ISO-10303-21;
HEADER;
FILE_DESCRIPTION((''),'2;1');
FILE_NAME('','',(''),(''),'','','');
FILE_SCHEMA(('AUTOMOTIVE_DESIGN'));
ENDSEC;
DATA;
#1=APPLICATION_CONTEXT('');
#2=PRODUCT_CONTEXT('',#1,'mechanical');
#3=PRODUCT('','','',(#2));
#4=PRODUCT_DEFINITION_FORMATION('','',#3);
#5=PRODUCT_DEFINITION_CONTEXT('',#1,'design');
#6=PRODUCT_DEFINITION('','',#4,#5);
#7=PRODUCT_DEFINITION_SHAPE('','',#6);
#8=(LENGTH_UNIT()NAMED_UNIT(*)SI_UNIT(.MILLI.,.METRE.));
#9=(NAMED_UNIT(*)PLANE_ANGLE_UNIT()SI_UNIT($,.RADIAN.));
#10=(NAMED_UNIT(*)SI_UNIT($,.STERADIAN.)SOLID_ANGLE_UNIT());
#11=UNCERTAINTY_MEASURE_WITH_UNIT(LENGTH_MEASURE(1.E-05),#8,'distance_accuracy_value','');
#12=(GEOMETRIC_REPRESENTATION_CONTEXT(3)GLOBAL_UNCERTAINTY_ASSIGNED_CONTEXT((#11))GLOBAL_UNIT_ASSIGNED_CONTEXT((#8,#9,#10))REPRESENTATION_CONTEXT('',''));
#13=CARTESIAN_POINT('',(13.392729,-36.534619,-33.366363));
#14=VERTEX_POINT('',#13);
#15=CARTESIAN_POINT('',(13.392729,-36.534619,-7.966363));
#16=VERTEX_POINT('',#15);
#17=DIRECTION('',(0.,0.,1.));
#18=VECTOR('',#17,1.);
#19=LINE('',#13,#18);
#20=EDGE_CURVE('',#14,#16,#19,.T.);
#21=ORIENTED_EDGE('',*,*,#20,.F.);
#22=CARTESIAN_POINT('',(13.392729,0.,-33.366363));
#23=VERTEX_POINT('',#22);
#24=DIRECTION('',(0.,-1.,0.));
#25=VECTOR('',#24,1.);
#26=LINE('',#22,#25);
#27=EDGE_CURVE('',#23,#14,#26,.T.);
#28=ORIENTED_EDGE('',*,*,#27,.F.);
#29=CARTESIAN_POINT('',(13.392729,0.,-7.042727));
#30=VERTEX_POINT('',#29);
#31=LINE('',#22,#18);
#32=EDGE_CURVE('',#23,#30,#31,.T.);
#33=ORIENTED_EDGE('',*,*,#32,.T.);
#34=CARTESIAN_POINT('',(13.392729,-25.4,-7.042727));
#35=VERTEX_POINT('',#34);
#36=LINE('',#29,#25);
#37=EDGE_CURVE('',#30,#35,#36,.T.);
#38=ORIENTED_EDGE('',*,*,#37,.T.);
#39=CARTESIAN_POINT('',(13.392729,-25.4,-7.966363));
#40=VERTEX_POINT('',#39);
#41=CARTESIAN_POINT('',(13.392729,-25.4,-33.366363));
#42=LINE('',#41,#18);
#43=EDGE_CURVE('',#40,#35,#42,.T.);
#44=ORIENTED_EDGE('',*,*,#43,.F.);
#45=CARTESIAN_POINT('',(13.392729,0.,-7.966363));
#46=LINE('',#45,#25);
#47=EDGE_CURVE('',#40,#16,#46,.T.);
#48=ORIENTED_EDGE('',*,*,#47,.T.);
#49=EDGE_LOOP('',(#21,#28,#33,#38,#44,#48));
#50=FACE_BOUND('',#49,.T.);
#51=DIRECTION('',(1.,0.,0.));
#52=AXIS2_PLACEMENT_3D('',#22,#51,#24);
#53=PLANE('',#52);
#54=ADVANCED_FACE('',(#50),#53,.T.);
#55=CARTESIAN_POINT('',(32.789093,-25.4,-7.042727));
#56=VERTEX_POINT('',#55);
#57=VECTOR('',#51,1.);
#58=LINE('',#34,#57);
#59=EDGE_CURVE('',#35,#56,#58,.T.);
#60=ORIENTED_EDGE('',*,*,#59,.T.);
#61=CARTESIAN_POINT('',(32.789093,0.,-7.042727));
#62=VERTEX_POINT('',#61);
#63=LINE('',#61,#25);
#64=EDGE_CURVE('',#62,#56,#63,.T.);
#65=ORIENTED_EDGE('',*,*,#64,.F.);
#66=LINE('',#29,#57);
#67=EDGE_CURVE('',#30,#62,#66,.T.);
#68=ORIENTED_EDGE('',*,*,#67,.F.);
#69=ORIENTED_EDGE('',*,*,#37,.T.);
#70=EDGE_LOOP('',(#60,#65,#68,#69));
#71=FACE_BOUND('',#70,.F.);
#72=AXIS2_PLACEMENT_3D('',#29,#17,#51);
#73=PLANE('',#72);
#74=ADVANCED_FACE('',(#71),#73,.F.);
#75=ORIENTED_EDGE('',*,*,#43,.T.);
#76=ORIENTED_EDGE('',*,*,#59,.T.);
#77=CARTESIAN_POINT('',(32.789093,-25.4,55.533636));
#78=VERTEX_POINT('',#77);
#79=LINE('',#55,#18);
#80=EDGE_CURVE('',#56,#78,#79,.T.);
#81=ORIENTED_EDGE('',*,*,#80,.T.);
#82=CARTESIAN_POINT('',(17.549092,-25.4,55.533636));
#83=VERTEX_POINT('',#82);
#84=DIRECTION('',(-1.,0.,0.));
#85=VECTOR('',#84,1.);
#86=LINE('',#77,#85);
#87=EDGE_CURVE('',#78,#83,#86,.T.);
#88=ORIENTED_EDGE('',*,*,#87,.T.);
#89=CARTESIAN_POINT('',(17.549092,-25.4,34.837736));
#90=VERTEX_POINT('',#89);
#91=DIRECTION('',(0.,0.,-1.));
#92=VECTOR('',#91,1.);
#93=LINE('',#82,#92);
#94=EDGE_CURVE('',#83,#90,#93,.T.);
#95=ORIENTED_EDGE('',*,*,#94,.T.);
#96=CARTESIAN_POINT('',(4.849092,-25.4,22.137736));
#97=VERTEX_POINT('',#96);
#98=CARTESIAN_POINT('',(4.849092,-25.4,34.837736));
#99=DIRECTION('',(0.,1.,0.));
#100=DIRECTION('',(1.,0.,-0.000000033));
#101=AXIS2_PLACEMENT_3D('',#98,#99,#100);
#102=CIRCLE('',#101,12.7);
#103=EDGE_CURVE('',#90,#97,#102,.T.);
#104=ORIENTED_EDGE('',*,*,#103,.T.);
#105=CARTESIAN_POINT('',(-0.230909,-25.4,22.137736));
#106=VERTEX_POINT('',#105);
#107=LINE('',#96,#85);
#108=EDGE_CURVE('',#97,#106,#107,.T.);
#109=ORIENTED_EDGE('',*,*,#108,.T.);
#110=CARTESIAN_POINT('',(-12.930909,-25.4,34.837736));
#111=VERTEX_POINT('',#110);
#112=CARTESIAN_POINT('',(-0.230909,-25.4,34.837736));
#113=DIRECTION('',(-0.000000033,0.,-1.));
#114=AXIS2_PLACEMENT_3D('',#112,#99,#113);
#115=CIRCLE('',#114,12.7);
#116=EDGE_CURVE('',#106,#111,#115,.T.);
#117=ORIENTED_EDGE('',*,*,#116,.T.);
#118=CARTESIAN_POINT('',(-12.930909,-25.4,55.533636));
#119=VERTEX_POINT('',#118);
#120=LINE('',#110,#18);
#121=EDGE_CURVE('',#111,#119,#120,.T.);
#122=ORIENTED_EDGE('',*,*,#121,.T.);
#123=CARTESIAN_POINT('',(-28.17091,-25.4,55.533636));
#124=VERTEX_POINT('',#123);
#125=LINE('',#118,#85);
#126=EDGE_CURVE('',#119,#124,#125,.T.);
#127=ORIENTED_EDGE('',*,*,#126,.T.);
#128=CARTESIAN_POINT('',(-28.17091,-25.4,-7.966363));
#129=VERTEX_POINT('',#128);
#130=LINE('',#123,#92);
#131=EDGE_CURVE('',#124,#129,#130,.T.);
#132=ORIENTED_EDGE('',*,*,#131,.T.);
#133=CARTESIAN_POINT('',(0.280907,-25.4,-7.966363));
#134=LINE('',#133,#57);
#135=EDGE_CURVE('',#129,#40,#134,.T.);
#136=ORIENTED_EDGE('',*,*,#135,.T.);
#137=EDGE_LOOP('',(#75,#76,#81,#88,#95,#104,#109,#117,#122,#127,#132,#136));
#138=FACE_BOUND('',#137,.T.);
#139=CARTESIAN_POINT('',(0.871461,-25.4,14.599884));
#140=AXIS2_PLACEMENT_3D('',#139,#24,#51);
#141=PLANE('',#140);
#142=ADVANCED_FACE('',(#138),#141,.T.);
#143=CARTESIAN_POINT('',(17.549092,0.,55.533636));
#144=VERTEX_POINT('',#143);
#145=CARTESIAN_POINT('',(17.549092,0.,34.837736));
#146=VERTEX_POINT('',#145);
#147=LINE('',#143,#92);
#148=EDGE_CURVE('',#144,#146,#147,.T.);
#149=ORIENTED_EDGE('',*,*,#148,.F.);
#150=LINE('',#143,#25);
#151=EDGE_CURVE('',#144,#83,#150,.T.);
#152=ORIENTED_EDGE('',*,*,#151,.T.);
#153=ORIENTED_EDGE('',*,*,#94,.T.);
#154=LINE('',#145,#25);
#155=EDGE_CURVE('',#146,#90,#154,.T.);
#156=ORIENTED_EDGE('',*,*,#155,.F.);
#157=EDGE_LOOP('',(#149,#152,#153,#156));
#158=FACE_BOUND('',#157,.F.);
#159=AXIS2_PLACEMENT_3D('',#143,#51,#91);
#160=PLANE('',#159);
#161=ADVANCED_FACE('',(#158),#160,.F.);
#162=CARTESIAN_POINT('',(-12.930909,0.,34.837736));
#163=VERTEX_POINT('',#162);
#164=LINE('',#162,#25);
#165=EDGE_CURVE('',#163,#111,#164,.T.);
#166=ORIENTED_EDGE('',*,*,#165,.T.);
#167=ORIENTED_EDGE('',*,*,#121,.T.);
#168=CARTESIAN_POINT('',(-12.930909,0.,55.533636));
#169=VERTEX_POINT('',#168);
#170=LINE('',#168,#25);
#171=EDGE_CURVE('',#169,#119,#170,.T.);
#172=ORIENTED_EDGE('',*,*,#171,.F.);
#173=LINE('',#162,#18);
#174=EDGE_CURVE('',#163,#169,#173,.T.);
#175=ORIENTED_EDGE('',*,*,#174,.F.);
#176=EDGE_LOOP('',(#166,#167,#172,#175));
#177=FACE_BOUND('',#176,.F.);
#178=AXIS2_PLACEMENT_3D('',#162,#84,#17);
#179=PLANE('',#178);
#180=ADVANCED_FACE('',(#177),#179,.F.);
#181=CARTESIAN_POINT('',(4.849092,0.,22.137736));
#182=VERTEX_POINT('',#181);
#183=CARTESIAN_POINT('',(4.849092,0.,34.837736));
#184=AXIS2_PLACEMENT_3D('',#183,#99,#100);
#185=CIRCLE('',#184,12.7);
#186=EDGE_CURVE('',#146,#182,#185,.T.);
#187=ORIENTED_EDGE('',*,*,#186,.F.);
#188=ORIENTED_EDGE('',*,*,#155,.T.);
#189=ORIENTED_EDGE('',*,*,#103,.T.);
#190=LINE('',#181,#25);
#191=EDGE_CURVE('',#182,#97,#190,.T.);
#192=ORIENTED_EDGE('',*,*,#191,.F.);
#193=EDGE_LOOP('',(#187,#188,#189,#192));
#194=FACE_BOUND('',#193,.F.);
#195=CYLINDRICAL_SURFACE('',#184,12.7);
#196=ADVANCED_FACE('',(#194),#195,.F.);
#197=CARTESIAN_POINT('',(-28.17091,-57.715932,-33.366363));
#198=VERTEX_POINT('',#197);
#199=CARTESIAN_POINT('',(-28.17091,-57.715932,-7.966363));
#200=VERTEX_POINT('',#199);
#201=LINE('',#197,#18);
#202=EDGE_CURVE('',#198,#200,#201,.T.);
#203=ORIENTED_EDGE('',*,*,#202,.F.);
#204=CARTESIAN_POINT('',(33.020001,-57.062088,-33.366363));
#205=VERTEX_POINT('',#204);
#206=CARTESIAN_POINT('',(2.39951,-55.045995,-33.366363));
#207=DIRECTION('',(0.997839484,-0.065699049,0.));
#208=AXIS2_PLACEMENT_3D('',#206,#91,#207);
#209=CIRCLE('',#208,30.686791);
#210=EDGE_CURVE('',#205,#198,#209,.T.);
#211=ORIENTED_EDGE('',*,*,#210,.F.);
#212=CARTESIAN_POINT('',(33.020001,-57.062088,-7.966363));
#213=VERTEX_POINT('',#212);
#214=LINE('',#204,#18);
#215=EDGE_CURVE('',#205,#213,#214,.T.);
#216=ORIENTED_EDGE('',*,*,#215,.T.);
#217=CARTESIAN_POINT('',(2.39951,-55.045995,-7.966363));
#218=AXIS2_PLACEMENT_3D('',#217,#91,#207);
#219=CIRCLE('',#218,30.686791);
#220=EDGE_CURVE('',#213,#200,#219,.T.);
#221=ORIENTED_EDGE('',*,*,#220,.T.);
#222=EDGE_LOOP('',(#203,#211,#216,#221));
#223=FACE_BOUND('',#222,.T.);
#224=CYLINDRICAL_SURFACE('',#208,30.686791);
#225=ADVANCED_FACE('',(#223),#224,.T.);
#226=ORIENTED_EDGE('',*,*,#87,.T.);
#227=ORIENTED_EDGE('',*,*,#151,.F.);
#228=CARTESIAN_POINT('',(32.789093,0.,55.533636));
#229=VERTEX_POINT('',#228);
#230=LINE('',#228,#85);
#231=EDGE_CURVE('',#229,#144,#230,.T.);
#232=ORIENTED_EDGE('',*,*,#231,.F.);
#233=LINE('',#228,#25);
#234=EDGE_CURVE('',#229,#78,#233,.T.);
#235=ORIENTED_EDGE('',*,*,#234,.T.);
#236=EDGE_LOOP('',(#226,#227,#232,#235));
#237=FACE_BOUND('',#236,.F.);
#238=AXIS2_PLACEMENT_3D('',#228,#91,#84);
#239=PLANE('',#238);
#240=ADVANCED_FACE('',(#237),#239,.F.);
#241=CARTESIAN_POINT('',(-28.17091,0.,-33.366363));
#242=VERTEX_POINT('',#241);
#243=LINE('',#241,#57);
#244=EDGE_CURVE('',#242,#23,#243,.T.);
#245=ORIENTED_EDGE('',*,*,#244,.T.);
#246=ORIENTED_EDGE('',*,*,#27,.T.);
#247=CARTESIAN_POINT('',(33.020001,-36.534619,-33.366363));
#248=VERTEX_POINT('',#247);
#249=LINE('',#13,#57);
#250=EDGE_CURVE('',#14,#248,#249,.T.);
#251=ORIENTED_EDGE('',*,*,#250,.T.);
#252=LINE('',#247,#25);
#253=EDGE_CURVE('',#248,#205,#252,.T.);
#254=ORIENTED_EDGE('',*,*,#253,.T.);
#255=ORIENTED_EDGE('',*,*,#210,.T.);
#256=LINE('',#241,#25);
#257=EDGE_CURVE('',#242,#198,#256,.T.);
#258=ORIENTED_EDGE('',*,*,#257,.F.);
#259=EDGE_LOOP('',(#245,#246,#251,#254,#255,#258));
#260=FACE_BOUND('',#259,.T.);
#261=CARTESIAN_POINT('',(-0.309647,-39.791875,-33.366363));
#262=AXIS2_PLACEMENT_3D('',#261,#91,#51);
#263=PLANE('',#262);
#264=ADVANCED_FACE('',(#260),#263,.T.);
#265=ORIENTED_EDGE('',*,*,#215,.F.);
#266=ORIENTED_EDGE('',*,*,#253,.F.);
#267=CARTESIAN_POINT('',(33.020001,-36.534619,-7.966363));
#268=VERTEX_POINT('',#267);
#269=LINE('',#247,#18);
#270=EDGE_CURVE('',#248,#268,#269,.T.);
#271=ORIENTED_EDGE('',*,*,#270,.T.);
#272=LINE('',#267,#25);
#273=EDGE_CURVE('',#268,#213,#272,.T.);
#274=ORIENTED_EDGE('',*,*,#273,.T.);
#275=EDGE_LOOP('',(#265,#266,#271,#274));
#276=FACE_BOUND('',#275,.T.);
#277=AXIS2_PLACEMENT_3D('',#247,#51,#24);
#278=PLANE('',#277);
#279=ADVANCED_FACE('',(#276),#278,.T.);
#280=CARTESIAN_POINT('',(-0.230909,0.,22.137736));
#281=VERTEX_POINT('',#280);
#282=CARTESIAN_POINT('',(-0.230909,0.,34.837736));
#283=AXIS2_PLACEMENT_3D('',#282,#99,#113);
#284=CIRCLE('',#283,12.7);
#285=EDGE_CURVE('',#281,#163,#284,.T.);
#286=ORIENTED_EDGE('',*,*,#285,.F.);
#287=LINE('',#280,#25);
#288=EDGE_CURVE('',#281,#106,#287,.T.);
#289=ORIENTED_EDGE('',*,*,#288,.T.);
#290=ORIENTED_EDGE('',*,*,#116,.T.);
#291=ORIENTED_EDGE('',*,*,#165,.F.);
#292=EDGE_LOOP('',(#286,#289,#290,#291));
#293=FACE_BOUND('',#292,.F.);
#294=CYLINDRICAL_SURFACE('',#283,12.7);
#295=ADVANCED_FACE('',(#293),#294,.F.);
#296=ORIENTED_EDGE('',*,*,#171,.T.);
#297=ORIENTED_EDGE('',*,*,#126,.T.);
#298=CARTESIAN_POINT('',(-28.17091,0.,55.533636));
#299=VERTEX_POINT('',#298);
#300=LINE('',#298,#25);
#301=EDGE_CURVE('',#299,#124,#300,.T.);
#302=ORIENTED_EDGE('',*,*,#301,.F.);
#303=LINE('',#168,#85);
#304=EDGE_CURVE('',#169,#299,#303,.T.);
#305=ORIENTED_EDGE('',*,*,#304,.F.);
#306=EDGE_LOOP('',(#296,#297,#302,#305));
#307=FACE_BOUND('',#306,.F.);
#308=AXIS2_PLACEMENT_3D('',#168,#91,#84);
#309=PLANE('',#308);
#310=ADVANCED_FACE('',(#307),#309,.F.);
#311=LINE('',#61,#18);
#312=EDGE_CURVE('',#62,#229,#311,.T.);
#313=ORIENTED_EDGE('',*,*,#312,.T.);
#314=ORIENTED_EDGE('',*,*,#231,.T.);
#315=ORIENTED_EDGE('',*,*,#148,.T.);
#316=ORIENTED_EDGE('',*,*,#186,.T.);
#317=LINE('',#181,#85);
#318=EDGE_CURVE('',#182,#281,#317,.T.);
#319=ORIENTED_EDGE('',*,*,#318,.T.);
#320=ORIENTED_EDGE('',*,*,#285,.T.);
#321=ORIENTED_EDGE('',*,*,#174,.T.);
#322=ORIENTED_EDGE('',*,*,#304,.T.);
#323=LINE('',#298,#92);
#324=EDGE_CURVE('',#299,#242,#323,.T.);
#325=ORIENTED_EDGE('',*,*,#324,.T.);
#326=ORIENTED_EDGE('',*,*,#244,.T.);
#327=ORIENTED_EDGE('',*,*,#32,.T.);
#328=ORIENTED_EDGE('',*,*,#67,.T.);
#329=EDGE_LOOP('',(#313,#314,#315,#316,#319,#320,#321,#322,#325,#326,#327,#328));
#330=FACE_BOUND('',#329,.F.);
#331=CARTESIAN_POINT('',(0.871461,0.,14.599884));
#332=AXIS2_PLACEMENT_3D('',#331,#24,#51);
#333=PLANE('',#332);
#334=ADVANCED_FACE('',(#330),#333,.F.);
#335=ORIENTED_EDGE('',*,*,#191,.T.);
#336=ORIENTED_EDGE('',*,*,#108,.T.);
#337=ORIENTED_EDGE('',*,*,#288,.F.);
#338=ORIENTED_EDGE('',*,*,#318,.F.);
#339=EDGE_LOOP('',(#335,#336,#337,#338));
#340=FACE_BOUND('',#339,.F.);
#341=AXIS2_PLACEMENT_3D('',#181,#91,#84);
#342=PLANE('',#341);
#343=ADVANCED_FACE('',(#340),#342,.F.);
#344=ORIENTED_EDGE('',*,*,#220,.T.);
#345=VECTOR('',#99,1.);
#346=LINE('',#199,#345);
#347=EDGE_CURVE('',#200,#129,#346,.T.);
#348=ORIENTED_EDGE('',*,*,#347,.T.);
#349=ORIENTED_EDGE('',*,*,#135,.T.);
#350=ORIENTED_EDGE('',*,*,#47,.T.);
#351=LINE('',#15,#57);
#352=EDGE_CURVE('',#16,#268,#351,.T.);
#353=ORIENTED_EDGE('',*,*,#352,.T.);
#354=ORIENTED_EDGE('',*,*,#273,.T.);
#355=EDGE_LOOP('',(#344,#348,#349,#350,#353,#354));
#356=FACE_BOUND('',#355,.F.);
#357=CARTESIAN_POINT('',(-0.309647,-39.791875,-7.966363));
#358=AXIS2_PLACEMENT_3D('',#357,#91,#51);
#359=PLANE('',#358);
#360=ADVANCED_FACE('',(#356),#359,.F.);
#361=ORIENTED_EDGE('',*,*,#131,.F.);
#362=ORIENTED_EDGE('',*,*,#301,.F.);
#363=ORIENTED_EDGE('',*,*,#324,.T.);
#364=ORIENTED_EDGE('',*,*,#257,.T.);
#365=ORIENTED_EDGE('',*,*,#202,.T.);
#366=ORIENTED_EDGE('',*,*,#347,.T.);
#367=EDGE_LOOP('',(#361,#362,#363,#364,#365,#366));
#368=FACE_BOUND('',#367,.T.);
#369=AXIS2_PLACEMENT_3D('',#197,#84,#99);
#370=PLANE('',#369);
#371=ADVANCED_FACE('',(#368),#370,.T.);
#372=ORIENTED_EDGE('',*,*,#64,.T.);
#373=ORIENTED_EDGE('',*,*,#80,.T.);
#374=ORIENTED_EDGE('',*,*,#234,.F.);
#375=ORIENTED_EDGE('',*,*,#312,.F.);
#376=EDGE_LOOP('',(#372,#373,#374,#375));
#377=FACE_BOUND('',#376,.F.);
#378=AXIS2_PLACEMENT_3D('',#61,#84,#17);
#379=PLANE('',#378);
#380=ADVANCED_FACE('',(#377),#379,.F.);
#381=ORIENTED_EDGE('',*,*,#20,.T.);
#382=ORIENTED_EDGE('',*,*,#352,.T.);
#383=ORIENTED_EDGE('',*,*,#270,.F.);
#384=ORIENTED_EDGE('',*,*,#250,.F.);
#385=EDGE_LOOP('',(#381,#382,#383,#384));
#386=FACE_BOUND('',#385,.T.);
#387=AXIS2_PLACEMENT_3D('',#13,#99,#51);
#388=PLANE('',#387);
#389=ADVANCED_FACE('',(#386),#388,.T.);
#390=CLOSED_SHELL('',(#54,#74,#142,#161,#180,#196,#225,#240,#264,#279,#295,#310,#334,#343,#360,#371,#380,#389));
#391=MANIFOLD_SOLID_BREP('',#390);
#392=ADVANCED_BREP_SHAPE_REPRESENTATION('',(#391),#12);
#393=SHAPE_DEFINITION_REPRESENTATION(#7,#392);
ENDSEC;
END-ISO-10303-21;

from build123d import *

# Parameters (mm, degrees)
F1_DEPTH = 25.4
F3_DEPTH = 25.4


with BuildPart() as f1:
    # F0 (on Front) → F1 (new body)
    with BuildSketch(Plane.XZ):
        with BuildLine():
            Line((-28.17091, 55.533636), (-28.17091, -33.366363))
            Line((-28.17091, -33.366363), (13.392729, -33.366363))
            Line((13.392729, -33.366363), (13.392729, -7.042727))
            Line((13.392729, -7.042727), (32.789093, -7.042727))
            Line((32.789093, -7.042727), (32.789093, 55.533636))
            Line((32.789093, 55.533636), (17.549092, 55.533636))
            Line((17.549092, 55.533636), (17.549092, 34.837736))
            ThreePointArc((17.549092, 34.837736), (13.829348, 25.85748), (4.849092, 22.137736))
            Line((4.849092, 22.137736), (-0.230909, 22.137736))
            ThreePointArc((-0.230909, 22.137736), (-9.211165, 25.85748), (-12.930909, 34.837736))
            Line((-12.930909, 34.837736), (-12.930909, 55.533636))
            Line((-12.930909, 55.533636), (-28.17091, 55.533636))
        make_face()
    extrude(amount=F1_DEPTH)

    # F2 (on face) → F3 (join)
    with BuildSketch(Plane(origin=(0, 0, -33.366363), x_dir=(1, 0, 0), z_dir=(0, 0, -1))):
        with BuildLine():
            Line((-28.17091, 57.715932), (-28.17091, 0))
            Line((-28.17091, 0), (13.392729, 0))
            Line((13.392729, 0), (13.392729, 36.534619))
            Line((13.392729, 36.534619), (33.020001, 36.534619))
            Line((33.020001, 36.534619), (33.020001, 57.062088))
            ThreePointArc((33.020001, 57.062088), (2.727389, 85.731034), (-28.17091, 57.715932))
        make_face()
    extrude(amount=-F3_DEPTH)


solid = f1.part
